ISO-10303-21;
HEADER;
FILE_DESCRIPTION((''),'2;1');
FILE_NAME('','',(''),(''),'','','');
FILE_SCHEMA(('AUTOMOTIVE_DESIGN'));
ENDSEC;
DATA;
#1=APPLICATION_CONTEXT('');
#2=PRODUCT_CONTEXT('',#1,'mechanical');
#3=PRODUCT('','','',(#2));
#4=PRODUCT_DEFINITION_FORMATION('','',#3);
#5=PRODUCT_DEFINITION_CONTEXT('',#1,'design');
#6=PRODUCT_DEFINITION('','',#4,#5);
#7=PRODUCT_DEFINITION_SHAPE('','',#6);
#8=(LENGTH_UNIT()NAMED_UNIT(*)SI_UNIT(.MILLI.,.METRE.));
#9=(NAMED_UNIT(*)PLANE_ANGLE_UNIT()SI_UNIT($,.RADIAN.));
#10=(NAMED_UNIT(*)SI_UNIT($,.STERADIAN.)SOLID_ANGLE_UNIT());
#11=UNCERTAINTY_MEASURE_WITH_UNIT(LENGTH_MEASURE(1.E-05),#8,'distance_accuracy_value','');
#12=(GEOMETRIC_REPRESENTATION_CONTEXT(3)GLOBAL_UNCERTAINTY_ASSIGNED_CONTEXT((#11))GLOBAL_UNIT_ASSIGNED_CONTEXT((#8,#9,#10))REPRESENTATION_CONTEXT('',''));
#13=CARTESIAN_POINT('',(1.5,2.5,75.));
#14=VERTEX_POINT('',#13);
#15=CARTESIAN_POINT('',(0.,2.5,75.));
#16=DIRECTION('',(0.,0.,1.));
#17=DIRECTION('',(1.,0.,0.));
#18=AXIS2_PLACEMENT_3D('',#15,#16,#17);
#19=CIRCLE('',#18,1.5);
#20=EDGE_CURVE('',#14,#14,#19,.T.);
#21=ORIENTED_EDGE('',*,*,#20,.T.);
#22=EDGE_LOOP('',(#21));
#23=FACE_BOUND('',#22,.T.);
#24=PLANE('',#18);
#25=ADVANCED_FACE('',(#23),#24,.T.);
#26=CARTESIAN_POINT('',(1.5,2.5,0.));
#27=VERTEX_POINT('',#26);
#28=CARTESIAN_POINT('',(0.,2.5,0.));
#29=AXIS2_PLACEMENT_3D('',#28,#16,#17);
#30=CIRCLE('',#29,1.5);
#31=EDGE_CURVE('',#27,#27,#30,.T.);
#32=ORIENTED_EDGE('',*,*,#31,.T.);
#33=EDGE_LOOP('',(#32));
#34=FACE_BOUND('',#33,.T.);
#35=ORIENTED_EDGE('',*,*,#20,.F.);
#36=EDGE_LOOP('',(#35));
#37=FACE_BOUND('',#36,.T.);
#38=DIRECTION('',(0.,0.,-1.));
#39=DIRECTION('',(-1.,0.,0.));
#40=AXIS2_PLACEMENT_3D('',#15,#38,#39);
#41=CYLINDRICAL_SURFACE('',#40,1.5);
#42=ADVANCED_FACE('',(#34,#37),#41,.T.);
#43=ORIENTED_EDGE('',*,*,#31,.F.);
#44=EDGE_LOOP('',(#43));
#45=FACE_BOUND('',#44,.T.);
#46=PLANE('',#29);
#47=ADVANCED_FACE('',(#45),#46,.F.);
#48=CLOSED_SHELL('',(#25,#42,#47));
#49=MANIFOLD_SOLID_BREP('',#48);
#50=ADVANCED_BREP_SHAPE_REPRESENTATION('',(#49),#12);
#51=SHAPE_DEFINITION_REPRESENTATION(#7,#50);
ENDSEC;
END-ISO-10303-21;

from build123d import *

# Parameters (mm, degrees)
SKETCH1_R           = 1.5
BOSS_EXTRUDE1_DEPTH = 75


with BuildPart() as part:
    # Sketch1 → Boss-Extrude1 (new body)
    with BuildSketch(Plane.XY):
        with Locations((0, 2.5)):
            Circle(SKETCH1_R)
    extrude(amount=BOSS_EXTRUDE1_DEPTH)


solid = part.part
